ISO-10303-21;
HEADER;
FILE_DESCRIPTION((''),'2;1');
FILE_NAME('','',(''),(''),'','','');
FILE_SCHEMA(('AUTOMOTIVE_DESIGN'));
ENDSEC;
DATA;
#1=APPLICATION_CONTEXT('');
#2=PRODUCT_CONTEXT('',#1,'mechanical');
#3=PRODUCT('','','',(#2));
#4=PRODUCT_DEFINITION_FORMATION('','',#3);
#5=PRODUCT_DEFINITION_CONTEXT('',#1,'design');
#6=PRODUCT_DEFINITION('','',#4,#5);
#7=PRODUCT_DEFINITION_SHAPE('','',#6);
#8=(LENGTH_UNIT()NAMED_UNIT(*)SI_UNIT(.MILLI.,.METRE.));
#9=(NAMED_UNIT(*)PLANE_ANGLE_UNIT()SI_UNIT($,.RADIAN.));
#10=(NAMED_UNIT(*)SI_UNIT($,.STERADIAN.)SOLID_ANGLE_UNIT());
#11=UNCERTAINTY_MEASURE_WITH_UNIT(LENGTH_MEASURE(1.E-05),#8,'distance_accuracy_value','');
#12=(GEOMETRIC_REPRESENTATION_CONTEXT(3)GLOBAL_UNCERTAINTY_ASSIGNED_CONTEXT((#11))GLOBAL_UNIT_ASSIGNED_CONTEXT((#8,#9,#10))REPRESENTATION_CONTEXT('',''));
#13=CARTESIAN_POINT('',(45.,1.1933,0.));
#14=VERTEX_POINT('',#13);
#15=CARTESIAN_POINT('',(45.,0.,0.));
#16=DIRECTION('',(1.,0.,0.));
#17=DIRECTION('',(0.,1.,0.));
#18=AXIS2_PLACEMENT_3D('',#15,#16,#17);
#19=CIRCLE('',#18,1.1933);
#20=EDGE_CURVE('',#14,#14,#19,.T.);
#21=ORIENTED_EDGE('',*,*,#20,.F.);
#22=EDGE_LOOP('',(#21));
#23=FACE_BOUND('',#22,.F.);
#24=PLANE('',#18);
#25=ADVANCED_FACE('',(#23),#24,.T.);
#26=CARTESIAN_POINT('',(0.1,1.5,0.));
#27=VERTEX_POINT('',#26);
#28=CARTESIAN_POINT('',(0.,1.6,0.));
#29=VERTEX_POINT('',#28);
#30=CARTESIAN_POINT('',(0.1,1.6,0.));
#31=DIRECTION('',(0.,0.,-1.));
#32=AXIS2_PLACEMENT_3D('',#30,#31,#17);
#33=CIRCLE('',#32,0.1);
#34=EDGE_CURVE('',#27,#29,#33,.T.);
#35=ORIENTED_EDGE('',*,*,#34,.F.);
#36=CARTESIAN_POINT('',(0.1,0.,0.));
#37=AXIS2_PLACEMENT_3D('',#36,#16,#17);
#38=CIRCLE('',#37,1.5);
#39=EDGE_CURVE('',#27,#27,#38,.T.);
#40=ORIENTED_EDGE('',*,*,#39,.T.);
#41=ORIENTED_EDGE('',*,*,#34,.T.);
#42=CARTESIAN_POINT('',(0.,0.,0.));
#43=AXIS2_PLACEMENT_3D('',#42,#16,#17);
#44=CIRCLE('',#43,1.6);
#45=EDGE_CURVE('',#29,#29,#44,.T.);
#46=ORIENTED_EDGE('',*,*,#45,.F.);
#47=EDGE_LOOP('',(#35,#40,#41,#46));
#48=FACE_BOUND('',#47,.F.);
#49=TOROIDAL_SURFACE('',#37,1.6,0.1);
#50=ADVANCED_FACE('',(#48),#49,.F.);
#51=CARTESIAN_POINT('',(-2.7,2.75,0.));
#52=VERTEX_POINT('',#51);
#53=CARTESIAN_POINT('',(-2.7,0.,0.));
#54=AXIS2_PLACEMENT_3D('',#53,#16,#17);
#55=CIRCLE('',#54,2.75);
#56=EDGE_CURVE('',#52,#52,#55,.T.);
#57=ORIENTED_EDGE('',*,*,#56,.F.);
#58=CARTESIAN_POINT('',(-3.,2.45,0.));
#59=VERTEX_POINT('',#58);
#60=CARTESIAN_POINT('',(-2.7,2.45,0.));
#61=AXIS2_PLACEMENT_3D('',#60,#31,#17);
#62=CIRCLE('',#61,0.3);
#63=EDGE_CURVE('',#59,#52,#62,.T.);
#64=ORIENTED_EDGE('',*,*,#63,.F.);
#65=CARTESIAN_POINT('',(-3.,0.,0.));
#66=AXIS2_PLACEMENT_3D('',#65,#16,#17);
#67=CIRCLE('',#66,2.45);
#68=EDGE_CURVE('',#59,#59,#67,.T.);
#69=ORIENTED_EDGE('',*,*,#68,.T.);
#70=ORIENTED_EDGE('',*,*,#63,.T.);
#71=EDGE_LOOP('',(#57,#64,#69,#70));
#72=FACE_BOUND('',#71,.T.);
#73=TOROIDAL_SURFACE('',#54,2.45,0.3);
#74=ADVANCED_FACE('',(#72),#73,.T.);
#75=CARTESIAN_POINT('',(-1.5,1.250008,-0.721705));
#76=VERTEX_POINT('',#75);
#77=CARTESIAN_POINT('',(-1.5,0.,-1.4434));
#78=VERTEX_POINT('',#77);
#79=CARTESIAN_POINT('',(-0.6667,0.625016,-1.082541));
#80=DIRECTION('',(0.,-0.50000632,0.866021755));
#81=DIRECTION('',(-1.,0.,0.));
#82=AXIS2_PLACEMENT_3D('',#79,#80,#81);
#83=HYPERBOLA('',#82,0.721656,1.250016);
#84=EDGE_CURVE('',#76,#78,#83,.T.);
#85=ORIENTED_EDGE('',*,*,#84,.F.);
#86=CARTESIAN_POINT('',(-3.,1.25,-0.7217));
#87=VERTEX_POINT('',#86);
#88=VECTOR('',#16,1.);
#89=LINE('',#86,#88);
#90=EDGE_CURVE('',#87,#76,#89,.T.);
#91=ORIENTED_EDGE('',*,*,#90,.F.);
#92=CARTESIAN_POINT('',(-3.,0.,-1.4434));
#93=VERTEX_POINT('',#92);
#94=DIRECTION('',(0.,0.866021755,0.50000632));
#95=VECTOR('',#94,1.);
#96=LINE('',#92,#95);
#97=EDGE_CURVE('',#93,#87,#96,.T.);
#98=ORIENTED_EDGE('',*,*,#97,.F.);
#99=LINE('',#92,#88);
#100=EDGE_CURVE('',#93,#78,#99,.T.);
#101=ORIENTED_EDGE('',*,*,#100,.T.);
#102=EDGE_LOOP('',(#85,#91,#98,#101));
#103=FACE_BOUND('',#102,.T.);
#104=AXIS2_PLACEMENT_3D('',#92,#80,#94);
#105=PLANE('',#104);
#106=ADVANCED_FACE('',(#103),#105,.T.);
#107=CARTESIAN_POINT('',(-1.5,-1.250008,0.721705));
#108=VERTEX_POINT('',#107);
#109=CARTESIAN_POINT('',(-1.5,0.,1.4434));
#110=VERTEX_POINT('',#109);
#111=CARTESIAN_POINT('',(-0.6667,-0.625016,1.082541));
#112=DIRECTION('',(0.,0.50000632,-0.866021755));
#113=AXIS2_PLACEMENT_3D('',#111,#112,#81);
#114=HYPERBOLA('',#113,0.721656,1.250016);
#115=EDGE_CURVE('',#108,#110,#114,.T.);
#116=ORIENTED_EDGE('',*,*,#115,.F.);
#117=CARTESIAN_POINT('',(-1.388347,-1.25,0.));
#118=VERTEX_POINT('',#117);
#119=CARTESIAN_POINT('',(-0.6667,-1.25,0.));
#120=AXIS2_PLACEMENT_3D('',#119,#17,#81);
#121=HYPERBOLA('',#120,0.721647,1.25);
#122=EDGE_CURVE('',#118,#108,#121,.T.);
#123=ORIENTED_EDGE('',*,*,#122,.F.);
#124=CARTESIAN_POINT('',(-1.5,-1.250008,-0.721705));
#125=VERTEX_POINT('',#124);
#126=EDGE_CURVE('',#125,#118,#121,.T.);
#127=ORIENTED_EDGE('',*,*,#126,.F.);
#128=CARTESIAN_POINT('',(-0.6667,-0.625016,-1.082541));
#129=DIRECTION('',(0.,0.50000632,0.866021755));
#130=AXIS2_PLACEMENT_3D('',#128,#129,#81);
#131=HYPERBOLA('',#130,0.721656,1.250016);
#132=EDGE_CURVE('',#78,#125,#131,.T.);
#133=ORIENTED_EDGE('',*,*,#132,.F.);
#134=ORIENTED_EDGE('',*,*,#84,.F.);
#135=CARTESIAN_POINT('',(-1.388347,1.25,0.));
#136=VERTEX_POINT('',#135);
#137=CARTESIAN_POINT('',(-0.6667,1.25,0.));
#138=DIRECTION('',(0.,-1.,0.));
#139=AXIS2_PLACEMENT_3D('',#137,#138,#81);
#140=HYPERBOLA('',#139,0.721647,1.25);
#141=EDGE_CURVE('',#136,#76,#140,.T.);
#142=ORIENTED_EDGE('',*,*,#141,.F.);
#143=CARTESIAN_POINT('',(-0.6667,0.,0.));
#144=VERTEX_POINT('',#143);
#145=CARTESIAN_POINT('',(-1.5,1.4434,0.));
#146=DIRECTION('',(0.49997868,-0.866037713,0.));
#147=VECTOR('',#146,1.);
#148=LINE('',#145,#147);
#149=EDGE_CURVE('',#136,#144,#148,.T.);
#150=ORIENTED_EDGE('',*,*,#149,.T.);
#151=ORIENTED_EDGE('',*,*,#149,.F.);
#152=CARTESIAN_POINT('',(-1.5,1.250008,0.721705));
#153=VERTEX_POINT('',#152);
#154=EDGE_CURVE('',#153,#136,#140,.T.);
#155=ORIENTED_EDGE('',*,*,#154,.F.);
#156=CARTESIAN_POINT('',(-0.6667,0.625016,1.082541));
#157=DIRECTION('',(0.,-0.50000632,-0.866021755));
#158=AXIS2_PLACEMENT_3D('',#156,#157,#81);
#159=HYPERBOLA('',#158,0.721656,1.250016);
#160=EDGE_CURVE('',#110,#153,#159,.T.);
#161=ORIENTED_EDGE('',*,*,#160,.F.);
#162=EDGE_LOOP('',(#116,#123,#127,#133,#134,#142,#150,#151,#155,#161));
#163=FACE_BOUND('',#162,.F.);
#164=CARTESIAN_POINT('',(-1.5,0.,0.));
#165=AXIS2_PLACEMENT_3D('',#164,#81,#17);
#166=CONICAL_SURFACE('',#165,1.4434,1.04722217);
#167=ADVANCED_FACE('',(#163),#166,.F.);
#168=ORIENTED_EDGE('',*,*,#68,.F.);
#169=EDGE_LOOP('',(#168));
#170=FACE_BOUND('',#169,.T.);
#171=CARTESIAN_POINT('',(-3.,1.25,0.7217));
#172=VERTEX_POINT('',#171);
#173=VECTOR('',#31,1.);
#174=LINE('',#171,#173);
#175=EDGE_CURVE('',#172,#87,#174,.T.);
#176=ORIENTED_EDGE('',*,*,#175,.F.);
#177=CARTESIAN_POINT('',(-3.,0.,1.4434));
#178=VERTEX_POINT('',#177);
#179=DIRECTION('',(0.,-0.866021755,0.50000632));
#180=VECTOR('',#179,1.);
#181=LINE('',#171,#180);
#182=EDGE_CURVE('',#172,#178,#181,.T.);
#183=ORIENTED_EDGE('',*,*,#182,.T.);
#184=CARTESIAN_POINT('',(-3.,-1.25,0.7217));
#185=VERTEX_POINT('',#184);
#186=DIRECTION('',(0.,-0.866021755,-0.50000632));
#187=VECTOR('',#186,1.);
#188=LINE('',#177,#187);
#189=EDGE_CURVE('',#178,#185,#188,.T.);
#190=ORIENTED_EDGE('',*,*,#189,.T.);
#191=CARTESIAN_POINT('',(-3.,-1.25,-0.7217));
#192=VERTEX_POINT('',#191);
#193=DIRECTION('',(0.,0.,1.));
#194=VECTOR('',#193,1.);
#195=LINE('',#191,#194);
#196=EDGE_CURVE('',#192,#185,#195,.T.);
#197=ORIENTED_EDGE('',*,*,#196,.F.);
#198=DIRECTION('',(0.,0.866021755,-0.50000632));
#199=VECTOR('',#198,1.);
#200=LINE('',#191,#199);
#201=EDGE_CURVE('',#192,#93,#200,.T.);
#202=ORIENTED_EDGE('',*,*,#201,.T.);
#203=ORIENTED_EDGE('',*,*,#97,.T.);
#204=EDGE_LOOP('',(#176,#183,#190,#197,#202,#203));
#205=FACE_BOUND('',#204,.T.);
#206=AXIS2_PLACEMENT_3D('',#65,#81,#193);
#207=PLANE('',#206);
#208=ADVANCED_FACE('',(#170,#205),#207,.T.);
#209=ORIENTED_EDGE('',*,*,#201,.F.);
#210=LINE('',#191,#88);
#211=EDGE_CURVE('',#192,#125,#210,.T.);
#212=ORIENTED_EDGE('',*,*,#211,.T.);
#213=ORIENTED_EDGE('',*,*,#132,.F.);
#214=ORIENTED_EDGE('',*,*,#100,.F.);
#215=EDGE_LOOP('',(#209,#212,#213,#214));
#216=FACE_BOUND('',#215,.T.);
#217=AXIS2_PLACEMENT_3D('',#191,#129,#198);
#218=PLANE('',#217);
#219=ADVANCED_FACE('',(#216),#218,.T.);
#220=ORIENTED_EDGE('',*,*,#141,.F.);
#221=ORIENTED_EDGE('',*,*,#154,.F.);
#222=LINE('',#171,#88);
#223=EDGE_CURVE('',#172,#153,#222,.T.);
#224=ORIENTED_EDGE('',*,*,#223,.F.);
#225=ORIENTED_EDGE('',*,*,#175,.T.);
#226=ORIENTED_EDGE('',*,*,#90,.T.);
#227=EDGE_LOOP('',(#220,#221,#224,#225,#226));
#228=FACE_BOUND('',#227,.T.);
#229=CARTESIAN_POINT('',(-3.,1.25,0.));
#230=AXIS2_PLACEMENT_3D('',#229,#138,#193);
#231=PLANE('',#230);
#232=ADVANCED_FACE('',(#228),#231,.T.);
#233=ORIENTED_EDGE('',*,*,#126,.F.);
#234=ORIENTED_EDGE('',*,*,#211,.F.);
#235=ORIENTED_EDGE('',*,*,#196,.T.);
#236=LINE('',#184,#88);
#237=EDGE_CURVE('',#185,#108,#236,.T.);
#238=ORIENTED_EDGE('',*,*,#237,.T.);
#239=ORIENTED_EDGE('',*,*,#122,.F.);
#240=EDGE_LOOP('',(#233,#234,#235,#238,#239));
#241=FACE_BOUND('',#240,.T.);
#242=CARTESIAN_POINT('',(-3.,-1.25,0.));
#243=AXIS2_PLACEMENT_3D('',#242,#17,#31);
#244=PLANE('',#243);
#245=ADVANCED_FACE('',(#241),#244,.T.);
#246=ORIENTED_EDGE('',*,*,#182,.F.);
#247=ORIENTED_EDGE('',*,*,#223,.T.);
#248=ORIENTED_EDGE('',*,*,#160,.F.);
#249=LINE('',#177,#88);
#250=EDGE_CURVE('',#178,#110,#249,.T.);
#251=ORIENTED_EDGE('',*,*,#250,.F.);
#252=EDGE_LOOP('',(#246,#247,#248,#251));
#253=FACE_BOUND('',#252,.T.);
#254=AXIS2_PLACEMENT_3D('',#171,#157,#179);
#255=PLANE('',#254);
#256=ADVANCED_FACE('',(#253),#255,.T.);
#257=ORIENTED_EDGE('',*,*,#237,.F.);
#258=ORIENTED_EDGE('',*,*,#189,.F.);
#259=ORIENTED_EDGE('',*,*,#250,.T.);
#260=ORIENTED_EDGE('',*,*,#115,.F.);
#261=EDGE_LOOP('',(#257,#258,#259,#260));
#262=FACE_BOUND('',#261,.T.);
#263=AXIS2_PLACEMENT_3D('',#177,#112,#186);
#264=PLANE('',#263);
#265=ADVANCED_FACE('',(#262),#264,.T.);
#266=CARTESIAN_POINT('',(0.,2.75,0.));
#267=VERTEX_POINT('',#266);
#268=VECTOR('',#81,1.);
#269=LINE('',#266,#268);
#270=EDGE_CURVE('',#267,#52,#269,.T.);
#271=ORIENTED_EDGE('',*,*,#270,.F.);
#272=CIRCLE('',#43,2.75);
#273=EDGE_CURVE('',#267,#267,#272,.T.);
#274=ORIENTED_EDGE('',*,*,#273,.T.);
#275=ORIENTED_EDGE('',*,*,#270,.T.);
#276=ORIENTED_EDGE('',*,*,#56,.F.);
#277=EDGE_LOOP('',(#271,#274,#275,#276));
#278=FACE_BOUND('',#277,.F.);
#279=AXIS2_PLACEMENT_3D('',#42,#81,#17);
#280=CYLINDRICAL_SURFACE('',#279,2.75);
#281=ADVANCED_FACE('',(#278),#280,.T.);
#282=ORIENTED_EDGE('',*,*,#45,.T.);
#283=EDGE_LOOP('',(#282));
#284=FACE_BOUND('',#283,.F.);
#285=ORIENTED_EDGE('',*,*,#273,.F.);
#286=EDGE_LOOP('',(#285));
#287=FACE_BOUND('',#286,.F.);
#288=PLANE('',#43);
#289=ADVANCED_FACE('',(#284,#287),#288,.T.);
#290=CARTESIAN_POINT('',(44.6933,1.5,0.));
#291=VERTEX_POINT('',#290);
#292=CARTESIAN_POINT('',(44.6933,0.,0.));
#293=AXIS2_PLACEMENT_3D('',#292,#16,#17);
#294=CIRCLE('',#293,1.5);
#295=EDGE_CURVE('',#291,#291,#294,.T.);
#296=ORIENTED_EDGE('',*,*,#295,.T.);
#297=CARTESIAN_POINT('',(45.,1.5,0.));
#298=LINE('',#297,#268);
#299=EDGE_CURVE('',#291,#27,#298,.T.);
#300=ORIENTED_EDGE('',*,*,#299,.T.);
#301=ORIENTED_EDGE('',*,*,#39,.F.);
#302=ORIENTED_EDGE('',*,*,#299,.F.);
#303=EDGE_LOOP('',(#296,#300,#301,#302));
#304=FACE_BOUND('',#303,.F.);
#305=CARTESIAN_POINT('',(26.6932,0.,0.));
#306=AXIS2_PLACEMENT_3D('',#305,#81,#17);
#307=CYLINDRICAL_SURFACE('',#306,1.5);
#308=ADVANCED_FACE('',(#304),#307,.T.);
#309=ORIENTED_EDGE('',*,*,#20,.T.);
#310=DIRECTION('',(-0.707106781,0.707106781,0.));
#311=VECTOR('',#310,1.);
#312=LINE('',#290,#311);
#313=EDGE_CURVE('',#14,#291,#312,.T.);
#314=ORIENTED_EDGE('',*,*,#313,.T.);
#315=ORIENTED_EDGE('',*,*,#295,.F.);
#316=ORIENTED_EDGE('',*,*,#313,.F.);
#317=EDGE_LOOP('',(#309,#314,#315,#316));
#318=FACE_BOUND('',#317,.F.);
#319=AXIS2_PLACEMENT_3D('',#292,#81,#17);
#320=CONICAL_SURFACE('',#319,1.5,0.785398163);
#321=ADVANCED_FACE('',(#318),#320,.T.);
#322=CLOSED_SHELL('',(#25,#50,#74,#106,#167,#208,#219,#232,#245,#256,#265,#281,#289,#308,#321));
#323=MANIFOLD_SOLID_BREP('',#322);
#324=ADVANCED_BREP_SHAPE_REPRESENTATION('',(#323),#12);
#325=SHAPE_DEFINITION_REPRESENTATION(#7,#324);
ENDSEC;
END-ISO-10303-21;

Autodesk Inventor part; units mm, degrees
ref_plane "YZ Plane" through (0, 0, 0) normal (1, 0, 0) x (0, 1, 0)
ref_plane "XZ Plane" through (0, 0, 0) normal (0, 1, 0) x (-1, 0, 0)
sketch "Sketch1" plane through (0, 0, 0) normal (0, 0, 1) x (1, 0, 0)
  line L0 (-0.6667, 0) -> (45, 0)
  line L1 (45, 0) -> (45, 1.5)
  line L2 (45, 1.5) -> (27, 1.5)
  line L3 (27, 1.5) -> (26.6932, 1.5)
  line L4 (26.6932, 1.5) -> (0, 1.5)
  line L5 (0, 1.5) -> (0, 2.75)
  line L6 (0, 2.75) -> (-3, 2.75)
  line L7 (-3, 2.75) -> (-3, 1.4434)
  line L8 (-3, 1.4434) -> (-1.5, 1.4434)
  line L9 (-1.5, 1.4434) -> (-0.6667, 0)
  line L10 (-12.6, 0) -> (54.6, 0) projected
  line L11 (0, -0.55) -> (0, 3.3) projected
  line L12 (27, 1.5) -> (0, 1.5) construction
  dimension "d1" = 18
  dimension "d2" = 0.3068
  dimension "d3" = 3
  dimension "d4" = 1.5
  dimension "d5" = 60
  dimension "d6" = 3
  dimension "d7" = 3
  dimension "d8" = 2.8868
  dimension "d9" = 5.5
  dimension "d26" = 45
revolve "Body" add sketch "Sketch1" angle 360 about axis through (-0.6667, 0, 0) along (1, 0, 0)
sketch "Sketch2" plane through (-3, 0, 0) normal (-1, 0, 0) x (0, 0, 1)
  circle A0 centre (0, 0) radius 1.4434 projected
  line L0 (0, -3.85) -> (0, 3.85) projected
  line L1 (-3.85, 0) -> (3.85, 0) projected
  line L2 (1.4434, 0) -> (0.7217, -1.25)
  line L3 (0.7217, -1.25) -> (-0.7217, -1.25)
  line L4 (-0.7217, -1.25) -> (-1.4434, 0)
  line L5 (-1.4434, 0) -> (-0.7217, 1.25)
  line L6 (-0.7217, 1.25) -> (0.7217, 1.25)
  line L7 (0.7217, 1.25) -> (1.4434, 0)
  point P0 (0, 0)
extrude "Slot" add sketch "Sketch2" against normal up to next contours L7 A0 | A0 L2 | L6 L0 A0 | A0 L0 L3 | L0 L6 A0 | A0 L3 L0 | L4 A0 | A0 L5
fillet "Fillet1" radius 0.3 1 edges at (-3, -2.75, 0)
thread "Thread" size "M3x0.5" class "6g" standard "ISO Metric profile" length 18
chamfer "Chamfer1" distance 0.3067 distance2 0.3067 1 edges at (45, -1.5, 0) measured on face at (45, -0.8088, -0.4964)
ref_plane "Work Plane1" through (29, 0, 0) normal (0, -1, 0) x (1, 0, 0)
fillet "Fillet2" radius 0.1 1 edges at (0, -1.5, 0)
equation "\"d1\" = GEL"
equation "\"d3\" = KOH"
equation "\"d4\" = INTI"
equation "\"d6\" = GD"
equation "\"d7\" = BDM"
equation "\"d8\" = 1.1547 * SW"
equation "\"d9\" = KOD"
equation "\"d26\" = NLG"
equation "\"d30\" = R"
equation "\"d17\" = RR"
equation "\"d13\" = GEL"
equation "\"d15\" = -0.5 * SPD + 0.5 * GD"
equation "\"d16\" = GUL"
equation "\"GD\" = NND"
equation "\"NLG\" = 45"
equation "\"GEL\" = 18"
equation "\"KOD\" = 5.5"
equation "\"KOH\" = 3"
equation "\"INTI\" = 1.5"
equation "\"GAL\" = 0.61345 * PTC"
equation "\"GUL\" = 0.61345 * PTC"
equation "\"BDM\" = NND"
equation "\"SW\" = 2.5"
equation "\"RR\" = 0.3"
equation "\"SPD\" = 2.38655"
equation "\"R\" = 0.1"
equation "\"TOA\" = 30deg"
equation "\"THREADDIA\" = 3"
equation "\"PTC\" = 0.5"
equation "\"NND\" = 3"
equation "\"E0\" = 1.155 * SW"
equation "\"GD1\" = THREADDIA - 1.2269 * PTC"
properties part number "ANSI B18.3.1M - M3x0.5 x 45" material "Steel, Mild"
